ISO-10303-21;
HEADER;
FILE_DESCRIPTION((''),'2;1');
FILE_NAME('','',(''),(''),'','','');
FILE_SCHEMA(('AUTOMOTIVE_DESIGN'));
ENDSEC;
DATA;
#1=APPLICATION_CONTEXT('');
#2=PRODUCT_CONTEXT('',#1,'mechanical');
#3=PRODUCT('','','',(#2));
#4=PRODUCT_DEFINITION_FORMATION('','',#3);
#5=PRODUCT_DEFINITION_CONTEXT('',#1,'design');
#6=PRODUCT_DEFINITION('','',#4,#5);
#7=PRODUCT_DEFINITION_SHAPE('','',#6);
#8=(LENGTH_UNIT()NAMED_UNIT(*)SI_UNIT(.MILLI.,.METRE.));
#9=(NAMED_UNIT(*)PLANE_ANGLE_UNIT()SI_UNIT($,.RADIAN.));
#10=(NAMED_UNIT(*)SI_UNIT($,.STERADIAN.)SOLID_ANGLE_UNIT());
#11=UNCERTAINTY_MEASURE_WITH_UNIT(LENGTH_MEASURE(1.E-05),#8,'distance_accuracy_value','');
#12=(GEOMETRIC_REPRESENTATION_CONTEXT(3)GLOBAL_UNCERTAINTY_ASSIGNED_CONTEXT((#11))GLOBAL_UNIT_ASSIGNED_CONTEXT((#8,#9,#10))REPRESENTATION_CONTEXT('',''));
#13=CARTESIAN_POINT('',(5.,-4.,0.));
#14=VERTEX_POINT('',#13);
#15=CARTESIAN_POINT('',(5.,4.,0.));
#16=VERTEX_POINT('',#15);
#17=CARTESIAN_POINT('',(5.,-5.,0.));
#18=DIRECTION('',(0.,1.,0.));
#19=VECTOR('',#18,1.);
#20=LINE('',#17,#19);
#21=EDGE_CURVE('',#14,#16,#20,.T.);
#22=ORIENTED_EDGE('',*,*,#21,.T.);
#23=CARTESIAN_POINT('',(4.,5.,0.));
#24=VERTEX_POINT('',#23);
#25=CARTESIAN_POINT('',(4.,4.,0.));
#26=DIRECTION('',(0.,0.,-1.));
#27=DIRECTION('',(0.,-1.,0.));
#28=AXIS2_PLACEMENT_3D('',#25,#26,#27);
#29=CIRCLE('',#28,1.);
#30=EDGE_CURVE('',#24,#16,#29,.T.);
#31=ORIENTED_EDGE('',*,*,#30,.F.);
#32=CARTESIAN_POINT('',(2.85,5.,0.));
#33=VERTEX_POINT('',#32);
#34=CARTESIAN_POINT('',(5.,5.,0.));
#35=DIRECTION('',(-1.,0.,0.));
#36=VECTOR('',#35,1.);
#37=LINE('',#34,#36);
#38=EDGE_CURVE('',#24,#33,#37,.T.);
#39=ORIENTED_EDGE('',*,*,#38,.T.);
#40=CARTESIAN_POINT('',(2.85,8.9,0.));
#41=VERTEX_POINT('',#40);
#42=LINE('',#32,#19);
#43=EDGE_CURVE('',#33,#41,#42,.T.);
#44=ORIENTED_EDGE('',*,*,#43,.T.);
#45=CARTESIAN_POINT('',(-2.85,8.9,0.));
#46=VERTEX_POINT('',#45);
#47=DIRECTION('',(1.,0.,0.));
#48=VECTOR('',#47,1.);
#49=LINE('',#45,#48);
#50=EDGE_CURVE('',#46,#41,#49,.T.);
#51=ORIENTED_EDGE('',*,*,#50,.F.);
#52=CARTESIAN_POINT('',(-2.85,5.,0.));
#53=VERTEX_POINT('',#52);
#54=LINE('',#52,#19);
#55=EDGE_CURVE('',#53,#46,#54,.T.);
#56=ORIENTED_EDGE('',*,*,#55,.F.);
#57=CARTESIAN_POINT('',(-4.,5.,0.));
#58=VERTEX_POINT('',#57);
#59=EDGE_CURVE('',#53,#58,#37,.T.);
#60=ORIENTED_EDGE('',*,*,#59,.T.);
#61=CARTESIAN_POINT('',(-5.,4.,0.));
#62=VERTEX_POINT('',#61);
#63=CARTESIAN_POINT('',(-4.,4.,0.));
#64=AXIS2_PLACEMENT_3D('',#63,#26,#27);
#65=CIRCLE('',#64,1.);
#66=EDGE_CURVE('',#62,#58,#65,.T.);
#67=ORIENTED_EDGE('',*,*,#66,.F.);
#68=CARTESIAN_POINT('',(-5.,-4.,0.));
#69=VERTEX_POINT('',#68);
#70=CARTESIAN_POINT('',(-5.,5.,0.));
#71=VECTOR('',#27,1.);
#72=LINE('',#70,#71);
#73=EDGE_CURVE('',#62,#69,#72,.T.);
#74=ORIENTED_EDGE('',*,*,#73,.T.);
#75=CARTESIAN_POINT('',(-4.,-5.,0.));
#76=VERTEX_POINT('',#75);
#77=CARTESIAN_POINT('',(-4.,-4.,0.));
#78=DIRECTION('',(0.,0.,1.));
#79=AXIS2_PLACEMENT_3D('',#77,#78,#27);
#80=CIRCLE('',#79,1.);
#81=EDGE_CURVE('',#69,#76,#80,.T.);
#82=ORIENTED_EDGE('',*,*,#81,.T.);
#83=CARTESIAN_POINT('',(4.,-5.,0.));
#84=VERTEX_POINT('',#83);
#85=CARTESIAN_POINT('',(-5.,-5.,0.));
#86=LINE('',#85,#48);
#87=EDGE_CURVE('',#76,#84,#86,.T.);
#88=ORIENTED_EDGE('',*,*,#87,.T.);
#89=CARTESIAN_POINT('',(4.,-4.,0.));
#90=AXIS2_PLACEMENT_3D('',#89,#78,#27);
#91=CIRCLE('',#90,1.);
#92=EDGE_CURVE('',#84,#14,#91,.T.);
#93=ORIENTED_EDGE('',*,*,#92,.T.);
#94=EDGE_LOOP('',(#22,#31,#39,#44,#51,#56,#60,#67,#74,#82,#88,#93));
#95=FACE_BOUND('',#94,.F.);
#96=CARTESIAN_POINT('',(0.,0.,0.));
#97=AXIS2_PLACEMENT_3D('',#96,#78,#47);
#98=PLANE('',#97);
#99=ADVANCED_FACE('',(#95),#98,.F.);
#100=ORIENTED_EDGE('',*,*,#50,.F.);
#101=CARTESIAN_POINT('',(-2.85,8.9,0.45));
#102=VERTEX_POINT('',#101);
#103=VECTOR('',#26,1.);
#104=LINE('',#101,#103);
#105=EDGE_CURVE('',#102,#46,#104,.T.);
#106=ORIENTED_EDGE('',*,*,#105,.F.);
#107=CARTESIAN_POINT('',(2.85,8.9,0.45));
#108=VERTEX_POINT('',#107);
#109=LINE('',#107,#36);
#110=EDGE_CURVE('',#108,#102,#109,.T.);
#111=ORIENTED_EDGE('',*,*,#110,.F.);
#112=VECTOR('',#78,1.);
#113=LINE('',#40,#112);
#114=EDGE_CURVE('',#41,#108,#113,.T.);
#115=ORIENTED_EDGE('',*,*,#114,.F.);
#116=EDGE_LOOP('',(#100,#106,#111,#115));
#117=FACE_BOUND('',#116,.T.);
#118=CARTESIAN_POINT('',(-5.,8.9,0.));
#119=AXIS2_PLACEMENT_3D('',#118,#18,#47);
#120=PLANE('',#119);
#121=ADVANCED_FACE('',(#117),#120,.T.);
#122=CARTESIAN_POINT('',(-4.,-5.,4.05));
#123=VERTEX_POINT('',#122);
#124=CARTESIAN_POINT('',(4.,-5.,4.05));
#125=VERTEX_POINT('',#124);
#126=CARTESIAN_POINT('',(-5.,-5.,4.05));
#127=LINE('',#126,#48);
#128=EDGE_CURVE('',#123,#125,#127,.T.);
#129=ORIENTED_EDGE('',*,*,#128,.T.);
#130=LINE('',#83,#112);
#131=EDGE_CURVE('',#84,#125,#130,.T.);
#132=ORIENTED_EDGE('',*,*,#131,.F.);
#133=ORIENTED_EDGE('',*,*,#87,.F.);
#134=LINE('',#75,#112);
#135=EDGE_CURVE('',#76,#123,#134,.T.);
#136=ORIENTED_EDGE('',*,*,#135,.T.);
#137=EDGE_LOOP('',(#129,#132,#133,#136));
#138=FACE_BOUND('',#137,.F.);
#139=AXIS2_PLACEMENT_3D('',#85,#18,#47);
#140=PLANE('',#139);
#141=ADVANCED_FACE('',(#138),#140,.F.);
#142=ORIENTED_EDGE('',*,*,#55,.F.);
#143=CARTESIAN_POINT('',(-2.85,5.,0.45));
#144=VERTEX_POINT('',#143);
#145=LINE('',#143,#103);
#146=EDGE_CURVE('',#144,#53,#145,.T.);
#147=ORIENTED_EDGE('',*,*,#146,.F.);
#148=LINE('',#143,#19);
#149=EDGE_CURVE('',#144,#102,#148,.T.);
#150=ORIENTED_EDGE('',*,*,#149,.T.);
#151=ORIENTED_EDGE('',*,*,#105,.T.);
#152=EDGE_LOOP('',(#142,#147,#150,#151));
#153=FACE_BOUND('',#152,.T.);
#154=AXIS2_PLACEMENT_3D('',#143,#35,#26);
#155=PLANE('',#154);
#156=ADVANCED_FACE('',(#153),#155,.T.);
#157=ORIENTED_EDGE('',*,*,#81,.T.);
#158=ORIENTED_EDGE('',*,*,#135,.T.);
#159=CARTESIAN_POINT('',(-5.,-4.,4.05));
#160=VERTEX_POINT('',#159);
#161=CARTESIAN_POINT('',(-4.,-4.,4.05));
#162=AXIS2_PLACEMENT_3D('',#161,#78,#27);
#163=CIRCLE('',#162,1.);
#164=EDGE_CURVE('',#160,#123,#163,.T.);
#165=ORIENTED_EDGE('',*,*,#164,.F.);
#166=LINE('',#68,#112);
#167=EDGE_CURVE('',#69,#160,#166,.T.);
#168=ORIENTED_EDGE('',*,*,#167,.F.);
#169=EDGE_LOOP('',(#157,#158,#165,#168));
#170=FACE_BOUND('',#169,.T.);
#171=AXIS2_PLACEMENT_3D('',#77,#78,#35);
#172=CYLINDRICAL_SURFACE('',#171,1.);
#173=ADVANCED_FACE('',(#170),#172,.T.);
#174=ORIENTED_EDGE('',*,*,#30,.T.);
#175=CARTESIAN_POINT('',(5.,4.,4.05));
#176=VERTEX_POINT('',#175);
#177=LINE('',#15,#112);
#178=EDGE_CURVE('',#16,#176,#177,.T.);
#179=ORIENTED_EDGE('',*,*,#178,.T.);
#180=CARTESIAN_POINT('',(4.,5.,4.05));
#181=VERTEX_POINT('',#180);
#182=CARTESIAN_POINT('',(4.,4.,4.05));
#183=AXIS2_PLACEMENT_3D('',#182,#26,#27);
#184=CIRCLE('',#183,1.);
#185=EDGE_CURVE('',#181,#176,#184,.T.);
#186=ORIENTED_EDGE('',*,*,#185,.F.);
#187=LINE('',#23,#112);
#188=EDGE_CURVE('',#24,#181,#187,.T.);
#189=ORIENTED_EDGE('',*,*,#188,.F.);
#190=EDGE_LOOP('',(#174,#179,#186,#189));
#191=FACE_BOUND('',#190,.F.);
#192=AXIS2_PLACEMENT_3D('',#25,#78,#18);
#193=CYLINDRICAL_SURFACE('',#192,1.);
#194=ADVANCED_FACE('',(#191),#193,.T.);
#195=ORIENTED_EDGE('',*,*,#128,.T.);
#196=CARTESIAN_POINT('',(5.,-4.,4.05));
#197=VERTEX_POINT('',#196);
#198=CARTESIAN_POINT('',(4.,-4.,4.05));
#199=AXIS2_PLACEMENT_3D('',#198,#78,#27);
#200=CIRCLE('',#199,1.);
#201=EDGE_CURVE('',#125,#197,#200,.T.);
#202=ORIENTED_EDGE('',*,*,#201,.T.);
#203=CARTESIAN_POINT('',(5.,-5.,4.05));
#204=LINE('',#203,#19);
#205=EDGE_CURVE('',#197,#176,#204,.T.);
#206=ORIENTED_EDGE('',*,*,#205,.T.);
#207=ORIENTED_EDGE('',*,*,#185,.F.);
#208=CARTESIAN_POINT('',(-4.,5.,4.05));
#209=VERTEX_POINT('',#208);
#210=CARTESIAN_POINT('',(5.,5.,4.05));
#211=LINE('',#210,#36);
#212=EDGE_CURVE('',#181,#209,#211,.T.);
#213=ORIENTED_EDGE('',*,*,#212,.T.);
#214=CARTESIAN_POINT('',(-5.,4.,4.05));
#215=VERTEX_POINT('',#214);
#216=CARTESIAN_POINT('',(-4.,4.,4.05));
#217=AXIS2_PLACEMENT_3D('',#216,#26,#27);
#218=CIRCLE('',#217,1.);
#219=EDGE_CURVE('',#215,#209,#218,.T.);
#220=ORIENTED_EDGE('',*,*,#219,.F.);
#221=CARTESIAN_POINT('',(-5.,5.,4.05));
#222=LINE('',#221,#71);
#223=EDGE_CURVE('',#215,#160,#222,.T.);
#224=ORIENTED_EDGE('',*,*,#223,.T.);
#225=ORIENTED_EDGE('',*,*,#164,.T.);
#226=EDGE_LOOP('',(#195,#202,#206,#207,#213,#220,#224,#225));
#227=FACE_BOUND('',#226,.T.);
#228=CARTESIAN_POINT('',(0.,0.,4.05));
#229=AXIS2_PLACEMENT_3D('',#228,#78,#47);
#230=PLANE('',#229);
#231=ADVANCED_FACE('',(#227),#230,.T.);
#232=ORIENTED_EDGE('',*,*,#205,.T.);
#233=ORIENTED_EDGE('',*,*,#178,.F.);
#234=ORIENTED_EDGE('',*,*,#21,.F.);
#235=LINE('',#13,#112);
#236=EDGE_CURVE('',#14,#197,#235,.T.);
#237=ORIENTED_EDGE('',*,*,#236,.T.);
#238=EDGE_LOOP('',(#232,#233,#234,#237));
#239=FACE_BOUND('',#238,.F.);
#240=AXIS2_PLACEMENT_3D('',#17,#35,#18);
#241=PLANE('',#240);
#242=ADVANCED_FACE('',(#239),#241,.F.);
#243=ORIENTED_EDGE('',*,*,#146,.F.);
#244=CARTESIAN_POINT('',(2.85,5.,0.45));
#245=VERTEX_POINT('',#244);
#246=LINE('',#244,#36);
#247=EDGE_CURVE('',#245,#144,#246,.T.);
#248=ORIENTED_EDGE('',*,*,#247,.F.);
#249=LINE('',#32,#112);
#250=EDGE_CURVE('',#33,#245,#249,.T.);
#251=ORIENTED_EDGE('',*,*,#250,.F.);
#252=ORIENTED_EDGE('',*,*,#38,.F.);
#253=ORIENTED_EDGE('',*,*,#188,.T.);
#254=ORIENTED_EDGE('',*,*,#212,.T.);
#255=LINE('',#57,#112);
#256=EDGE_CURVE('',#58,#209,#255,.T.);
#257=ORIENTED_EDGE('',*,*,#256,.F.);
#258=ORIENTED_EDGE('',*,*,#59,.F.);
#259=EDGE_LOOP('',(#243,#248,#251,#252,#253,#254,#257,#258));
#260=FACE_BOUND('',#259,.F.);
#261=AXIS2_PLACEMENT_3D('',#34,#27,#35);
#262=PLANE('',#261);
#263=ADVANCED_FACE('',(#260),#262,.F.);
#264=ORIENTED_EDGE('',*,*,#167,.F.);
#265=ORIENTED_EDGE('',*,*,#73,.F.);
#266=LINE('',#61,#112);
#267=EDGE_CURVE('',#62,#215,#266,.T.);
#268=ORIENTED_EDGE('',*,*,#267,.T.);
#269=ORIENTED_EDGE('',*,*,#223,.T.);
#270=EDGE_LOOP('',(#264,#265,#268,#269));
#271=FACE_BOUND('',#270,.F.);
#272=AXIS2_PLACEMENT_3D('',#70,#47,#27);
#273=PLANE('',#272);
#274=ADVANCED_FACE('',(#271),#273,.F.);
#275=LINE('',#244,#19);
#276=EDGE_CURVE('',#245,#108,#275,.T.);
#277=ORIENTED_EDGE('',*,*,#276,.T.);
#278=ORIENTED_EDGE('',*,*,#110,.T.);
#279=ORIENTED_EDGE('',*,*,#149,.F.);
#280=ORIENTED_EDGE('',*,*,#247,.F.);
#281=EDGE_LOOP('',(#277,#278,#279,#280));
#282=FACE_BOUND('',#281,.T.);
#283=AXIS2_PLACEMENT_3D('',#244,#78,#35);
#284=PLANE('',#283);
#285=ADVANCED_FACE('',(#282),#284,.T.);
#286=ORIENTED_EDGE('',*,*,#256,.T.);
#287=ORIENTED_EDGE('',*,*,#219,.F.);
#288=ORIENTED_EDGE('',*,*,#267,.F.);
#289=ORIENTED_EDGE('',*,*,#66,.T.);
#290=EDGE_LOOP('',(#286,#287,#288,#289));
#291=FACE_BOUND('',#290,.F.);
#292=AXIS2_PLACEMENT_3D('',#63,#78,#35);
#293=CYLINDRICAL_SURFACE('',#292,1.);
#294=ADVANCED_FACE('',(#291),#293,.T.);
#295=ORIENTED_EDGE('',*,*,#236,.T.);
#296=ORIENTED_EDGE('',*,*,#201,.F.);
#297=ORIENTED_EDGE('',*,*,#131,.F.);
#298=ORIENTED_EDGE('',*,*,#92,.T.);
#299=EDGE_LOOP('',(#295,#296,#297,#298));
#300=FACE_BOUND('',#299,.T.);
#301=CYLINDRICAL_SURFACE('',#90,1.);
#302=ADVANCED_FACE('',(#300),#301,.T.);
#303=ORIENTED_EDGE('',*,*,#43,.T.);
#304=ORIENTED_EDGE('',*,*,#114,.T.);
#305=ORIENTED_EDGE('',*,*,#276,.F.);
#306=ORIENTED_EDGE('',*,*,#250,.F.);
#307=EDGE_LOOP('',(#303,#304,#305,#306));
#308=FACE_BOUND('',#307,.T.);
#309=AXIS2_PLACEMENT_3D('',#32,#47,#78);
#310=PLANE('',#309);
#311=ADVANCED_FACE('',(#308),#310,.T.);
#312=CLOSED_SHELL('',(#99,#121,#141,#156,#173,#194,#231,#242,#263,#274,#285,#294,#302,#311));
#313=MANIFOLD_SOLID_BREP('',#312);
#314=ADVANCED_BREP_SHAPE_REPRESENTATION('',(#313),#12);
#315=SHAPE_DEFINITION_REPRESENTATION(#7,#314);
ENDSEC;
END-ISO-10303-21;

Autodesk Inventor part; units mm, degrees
ref_plane "YZ Plane" through (0, 0, 0) normal (1, 0, 0) x (0, 1, 0)
ref_plane "XZ Plane" through (0, 0, 0) normal (0, 1, 0) x (-1, 0, 0)
ref_plane "XY Plane" through (0, 0, 0) normal (0, 0, 1) x (1, 0, 0)
sketch "スケッチ1" plane through (0, 0, 0) normal (0, 0, 1) x (1, 0, 0)
  line L0 (-5, -5) -> (5, -5)
  line L1 (5, -5) -> (5, 5)
  line L2 (5, 5) -> (-5, 5)
  line L3 (-5, 5) -> (-5, -5)
  line L4 (-5, -5) -> (5, 5) construction
  line L5 (5, -5) -> (-5, 5) construction
  point P0 (0, 0)
  dimension "d0" = 10
  dimension "d1" = 10
extrude "押し出し1" add sketch "スケッチ1" along normal blind 4.05
sketch "スケッチ2" plane through (-5, 5, 0) normal (0, 1, 0) x (1, 0, 0)
  line L0 (5, 0) -> (2.15, 0)
  line L1 (10, 0) -> (0, 0) projected
  line L2 (2.15, 0) -> (7.85, 0)
  line L3 (7.85, 0) -> (7.85, -0.45)
  line L4 (7.85, -0.45) -> (2.15, -0.45)
  line L5 (2.15, -0.45) -> (2.15, 0)
  dimension "d4" = 2.85
  dimension "d5" = 5.7
  dimension "d6" = 0.45
extrude "押し出し2" add sketch "スケッチ2" along normal blind 3.9
fillet "フィレット1" radius 1 4 edges at (5, 5, 2.025) (5, -5, 2.025) (-5, 5, 2.025) (-5, -5, 2.025)
properties part number "VLV101040A"
